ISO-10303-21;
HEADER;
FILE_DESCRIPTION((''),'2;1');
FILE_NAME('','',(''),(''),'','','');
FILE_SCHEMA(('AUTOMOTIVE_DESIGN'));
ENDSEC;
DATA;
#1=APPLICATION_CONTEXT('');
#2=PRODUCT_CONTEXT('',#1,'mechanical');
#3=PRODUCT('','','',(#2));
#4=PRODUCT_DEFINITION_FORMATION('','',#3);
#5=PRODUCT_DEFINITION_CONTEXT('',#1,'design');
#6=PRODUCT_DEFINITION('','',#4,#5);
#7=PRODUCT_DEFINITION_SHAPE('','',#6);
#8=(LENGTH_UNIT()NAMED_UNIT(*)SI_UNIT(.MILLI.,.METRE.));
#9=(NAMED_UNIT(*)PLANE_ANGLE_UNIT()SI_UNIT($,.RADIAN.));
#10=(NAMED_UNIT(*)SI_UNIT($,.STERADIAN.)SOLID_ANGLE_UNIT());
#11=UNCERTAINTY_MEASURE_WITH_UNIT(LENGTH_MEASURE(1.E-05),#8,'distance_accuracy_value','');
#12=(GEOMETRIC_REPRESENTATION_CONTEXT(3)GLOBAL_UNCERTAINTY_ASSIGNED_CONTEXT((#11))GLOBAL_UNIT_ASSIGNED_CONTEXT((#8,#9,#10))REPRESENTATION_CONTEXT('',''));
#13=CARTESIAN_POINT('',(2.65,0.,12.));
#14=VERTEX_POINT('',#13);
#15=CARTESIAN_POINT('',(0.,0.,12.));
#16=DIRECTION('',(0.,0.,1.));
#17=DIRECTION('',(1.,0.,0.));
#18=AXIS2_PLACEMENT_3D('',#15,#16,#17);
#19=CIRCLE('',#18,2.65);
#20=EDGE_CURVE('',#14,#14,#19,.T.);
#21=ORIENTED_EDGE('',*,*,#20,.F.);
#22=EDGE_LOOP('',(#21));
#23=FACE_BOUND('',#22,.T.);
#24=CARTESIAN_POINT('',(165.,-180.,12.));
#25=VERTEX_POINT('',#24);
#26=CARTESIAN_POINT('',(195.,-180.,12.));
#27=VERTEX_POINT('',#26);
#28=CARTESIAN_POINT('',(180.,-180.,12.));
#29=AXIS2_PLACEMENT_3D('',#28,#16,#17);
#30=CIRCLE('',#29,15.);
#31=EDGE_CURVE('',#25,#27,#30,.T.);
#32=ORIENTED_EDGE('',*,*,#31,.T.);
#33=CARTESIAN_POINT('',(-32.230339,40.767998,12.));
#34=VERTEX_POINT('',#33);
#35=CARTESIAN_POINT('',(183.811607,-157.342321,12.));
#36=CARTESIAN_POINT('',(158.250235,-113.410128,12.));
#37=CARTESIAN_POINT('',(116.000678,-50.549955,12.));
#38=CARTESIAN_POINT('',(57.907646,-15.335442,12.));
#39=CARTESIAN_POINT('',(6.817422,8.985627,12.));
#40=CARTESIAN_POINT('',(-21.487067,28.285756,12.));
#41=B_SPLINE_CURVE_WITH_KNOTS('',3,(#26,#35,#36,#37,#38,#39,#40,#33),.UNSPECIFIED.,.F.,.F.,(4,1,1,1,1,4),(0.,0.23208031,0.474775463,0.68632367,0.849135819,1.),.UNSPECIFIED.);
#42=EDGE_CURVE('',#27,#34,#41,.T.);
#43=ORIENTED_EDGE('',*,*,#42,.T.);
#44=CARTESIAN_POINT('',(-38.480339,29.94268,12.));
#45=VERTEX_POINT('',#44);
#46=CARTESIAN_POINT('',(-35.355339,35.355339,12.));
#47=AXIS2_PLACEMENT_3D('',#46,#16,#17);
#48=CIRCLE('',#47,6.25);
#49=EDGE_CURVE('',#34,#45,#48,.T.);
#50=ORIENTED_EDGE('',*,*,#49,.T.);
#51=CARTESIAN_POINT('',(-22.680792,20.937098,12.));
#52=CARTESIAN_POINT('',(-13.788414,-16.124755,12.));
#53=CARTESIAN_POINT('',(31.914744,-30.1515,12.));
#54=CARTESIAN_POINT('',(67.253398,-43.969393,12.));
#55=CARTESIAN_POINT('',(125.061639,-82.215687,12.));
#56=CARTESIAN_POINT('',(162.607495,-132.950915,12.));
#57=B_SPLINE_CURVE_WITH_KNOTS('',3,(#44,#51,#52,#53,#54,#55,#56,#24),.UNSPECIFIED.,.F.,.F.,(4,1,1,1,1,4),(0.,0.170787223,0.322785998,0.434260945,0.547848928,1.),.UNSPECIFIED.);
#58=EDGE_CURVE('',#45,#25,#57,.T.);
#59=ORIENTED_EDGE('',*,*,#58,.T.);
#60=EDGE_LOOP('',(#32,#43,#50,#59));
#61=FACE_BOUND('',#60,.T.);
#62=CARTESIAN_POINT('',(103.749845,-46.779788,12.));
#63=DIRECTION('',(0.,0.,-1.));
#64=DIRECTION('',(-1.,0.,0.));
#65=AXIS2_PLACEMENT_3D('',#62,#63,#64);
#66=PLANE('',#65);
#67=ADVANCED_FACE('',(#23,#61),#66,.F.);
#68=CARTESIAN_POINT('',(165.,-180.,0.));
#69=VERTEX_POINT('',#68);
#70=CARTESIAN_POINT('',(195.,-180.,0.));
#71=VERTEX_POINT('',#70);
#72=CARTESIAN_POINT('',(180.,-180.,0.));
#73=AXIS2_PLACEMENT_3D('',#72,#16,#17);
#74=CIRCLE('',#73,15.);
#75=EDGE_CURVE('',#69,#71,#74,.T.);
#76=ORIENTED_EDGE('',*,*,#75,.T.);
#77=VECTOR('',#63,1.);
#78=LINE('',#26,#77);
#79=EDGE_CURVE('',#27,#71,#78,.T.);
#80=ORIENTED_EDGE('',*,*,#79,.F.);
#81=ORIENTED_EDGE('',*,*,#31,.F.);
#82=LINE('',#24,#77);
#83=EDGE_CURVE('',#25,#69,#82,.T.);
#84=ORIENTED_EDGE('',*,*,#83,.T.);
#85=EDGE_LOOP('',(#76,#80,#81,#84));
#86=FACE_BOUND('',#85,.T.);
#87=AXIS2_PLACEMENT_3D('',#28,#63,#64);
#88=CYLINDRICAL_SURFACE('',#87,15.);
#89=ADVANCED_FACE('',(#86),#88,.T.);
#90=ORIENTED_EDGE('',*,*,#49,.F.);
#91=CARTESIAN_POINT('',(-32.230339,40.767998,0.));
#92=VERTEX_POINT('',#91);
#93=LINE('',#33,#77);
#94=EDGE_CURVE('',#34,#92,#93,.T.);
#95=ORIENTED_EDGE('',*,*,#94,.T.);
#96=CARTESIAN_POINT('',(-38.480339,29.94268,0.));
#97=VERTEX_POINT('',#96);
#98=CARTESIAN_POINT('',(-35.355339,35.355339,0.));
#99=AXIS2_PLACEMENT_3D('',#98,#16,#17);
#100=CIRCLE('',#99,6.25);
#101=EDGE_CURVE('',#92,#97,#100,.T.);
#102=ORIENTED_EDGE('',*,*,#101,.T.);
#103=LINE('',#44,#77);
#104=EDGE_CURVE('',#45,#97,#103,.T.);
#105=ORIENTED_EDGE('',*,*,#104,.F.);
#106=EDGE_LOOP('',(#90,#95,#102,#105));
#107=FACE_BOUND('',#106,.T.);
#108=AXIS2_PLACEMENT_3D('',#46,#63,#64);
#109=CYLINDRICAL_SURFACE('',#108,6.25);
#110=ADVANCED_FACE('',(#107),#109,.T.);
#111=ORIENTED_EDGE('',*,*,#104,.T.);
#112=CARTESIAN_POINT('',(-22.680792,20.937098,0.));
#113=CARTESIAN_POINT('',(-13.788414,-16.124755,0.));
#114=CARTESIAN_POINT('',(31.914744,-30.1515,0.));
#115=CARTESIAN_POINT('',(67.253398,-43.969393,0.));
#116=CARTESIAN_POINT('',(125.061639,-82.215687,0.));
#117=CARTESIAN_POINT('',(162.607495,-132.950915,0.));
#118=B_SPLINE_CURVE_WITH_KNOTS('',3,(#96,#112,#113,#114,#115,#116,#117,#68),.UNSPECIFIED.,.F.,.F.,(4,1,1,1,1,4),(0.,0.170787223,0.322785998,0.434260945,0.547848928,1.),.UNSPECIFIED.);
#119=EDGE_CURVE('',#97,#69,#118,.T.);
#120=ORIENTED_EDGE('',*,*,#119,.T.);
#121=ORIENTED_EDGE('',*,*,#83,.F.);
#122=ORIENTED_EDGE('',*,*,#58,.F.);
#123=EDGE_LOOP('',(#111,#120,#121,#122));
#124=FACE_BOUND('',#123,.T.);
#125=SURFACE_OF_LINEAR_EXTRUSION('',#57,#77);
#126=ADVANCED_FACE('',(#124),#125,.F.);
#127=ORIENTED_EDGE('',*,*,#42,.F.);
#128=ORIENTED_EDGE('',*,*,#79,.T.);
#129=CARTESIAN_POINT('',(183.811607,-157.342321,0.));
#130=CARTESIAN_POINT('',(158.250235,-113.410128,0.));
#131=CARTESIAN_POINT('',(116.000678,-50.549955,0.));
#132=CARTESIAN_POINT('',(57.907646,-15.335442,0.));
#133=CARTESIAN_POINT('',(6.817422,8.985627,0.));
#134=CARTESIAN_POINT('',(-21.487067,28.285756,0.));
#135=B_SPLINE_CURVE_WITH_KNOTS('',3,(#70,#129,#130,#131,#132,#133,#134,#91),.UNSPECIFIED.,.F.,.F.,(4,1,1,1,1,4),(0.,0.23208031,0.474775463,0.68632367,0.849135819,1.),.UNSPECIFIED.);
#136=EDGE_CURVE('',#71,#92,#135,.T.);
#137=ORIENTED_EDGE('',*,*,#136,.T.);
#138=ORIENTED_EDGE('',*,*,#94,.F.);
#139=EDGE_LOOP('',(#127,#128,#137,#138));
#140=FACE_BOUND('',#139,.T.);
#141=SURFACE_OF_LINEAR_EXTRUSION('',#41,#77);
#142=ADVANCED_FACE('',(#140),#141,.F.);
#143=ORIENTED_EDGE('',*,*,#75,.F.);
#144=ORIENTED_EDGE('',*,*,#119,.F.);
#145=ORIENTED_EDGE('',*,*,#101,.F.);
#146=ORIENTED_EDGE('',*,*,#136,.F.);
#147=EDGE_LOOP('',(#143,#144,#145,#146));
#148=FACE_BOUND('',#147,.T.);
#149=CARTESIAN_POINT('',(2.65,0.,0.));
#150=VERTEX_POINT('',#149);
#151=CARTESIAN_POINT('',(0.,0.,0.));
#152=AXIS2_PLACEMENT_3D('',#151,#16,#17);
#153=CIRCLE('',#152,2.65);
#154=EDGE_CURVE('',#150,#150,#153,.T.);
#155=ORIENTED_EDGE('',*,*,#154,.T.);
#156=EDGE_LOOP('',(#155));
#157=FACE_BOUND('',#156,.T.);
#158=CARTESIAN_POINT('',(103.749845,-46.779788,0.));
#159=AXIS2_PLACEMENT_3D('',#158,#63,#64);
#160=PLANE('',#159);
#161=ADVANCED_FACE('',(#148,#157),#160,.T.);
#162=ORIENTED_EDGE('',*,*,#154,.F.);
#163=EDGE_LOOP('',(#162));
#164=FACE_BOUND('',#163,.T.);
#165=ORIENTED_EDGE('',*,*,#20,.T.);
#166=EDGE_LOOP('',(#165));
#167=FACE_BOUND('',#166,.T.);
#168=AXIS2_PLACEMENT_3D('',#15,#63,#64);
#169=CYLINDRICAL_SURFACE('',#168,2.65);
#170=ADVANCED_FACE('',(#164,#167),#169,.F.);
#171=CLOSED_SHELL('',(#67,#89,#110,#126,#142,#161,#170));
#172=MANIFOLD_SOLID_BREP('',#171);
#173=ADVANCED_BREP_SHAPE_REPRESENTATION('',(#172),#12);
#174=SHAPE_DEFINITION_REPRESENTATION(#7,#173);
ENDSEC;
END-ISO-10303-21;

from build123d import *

# Parameters (mm, degrees)
ESQUISSE1_R        = 2.65
BOSS_EXTRU_1_DEPTH = 12


with BuildPart() as part:
    # Esquisse1 → Boss.-Extru.1 (new body)
    with BuildSketch(Plane.XY):
        with BuildLine():
            ThreePointArc((165, -180), (180, -195), (195, -180))
            add(Edge.make_bspline(
                [(-32.230339059, 40.767997833), (-21.487067244, 28.285755558), (6.817422192, 8.985627157), (57.907646488, -15.335442256), (116.000678334, -50.549955104), (158.250235065, -113.410127761), (183.811606987, -157.342321495), (195, -180)],
                knots=[0, 0, 0, 0, 0.150864181, 0.31367633, 0.525224537, 0.76791969, 1, 1, 1, 1], degree=3))
            ThreePointArc((-32.230339059, 40.767997833), (-40.767997833, 38.480339059), (-38.480339059, 29.942680286))
            add(Edge.make_bspline(
                [(-38.480339059, 29.942680286), (-22.680791601, 20.937098179), (-13.788414104, -16.124755263), (31.914743736, -30.151499795), (67.253398056, -43.969392634), (125.061638872, -82.215687059), (162.607495356, -132.950915283), (165, -180)],
                knots=[0, 0, 0, 0, 0.170787223, 0.322785998, 0.434260945, 0.547848928, 1, 1, 1, 1], degree=3))
        make_face()
        Circle(ESQUISSE1_R, mode=Mode.SUBTRACT)
    extrude(amount=BOSS_EXTRU_1_DEPTH)


solid = part.part
